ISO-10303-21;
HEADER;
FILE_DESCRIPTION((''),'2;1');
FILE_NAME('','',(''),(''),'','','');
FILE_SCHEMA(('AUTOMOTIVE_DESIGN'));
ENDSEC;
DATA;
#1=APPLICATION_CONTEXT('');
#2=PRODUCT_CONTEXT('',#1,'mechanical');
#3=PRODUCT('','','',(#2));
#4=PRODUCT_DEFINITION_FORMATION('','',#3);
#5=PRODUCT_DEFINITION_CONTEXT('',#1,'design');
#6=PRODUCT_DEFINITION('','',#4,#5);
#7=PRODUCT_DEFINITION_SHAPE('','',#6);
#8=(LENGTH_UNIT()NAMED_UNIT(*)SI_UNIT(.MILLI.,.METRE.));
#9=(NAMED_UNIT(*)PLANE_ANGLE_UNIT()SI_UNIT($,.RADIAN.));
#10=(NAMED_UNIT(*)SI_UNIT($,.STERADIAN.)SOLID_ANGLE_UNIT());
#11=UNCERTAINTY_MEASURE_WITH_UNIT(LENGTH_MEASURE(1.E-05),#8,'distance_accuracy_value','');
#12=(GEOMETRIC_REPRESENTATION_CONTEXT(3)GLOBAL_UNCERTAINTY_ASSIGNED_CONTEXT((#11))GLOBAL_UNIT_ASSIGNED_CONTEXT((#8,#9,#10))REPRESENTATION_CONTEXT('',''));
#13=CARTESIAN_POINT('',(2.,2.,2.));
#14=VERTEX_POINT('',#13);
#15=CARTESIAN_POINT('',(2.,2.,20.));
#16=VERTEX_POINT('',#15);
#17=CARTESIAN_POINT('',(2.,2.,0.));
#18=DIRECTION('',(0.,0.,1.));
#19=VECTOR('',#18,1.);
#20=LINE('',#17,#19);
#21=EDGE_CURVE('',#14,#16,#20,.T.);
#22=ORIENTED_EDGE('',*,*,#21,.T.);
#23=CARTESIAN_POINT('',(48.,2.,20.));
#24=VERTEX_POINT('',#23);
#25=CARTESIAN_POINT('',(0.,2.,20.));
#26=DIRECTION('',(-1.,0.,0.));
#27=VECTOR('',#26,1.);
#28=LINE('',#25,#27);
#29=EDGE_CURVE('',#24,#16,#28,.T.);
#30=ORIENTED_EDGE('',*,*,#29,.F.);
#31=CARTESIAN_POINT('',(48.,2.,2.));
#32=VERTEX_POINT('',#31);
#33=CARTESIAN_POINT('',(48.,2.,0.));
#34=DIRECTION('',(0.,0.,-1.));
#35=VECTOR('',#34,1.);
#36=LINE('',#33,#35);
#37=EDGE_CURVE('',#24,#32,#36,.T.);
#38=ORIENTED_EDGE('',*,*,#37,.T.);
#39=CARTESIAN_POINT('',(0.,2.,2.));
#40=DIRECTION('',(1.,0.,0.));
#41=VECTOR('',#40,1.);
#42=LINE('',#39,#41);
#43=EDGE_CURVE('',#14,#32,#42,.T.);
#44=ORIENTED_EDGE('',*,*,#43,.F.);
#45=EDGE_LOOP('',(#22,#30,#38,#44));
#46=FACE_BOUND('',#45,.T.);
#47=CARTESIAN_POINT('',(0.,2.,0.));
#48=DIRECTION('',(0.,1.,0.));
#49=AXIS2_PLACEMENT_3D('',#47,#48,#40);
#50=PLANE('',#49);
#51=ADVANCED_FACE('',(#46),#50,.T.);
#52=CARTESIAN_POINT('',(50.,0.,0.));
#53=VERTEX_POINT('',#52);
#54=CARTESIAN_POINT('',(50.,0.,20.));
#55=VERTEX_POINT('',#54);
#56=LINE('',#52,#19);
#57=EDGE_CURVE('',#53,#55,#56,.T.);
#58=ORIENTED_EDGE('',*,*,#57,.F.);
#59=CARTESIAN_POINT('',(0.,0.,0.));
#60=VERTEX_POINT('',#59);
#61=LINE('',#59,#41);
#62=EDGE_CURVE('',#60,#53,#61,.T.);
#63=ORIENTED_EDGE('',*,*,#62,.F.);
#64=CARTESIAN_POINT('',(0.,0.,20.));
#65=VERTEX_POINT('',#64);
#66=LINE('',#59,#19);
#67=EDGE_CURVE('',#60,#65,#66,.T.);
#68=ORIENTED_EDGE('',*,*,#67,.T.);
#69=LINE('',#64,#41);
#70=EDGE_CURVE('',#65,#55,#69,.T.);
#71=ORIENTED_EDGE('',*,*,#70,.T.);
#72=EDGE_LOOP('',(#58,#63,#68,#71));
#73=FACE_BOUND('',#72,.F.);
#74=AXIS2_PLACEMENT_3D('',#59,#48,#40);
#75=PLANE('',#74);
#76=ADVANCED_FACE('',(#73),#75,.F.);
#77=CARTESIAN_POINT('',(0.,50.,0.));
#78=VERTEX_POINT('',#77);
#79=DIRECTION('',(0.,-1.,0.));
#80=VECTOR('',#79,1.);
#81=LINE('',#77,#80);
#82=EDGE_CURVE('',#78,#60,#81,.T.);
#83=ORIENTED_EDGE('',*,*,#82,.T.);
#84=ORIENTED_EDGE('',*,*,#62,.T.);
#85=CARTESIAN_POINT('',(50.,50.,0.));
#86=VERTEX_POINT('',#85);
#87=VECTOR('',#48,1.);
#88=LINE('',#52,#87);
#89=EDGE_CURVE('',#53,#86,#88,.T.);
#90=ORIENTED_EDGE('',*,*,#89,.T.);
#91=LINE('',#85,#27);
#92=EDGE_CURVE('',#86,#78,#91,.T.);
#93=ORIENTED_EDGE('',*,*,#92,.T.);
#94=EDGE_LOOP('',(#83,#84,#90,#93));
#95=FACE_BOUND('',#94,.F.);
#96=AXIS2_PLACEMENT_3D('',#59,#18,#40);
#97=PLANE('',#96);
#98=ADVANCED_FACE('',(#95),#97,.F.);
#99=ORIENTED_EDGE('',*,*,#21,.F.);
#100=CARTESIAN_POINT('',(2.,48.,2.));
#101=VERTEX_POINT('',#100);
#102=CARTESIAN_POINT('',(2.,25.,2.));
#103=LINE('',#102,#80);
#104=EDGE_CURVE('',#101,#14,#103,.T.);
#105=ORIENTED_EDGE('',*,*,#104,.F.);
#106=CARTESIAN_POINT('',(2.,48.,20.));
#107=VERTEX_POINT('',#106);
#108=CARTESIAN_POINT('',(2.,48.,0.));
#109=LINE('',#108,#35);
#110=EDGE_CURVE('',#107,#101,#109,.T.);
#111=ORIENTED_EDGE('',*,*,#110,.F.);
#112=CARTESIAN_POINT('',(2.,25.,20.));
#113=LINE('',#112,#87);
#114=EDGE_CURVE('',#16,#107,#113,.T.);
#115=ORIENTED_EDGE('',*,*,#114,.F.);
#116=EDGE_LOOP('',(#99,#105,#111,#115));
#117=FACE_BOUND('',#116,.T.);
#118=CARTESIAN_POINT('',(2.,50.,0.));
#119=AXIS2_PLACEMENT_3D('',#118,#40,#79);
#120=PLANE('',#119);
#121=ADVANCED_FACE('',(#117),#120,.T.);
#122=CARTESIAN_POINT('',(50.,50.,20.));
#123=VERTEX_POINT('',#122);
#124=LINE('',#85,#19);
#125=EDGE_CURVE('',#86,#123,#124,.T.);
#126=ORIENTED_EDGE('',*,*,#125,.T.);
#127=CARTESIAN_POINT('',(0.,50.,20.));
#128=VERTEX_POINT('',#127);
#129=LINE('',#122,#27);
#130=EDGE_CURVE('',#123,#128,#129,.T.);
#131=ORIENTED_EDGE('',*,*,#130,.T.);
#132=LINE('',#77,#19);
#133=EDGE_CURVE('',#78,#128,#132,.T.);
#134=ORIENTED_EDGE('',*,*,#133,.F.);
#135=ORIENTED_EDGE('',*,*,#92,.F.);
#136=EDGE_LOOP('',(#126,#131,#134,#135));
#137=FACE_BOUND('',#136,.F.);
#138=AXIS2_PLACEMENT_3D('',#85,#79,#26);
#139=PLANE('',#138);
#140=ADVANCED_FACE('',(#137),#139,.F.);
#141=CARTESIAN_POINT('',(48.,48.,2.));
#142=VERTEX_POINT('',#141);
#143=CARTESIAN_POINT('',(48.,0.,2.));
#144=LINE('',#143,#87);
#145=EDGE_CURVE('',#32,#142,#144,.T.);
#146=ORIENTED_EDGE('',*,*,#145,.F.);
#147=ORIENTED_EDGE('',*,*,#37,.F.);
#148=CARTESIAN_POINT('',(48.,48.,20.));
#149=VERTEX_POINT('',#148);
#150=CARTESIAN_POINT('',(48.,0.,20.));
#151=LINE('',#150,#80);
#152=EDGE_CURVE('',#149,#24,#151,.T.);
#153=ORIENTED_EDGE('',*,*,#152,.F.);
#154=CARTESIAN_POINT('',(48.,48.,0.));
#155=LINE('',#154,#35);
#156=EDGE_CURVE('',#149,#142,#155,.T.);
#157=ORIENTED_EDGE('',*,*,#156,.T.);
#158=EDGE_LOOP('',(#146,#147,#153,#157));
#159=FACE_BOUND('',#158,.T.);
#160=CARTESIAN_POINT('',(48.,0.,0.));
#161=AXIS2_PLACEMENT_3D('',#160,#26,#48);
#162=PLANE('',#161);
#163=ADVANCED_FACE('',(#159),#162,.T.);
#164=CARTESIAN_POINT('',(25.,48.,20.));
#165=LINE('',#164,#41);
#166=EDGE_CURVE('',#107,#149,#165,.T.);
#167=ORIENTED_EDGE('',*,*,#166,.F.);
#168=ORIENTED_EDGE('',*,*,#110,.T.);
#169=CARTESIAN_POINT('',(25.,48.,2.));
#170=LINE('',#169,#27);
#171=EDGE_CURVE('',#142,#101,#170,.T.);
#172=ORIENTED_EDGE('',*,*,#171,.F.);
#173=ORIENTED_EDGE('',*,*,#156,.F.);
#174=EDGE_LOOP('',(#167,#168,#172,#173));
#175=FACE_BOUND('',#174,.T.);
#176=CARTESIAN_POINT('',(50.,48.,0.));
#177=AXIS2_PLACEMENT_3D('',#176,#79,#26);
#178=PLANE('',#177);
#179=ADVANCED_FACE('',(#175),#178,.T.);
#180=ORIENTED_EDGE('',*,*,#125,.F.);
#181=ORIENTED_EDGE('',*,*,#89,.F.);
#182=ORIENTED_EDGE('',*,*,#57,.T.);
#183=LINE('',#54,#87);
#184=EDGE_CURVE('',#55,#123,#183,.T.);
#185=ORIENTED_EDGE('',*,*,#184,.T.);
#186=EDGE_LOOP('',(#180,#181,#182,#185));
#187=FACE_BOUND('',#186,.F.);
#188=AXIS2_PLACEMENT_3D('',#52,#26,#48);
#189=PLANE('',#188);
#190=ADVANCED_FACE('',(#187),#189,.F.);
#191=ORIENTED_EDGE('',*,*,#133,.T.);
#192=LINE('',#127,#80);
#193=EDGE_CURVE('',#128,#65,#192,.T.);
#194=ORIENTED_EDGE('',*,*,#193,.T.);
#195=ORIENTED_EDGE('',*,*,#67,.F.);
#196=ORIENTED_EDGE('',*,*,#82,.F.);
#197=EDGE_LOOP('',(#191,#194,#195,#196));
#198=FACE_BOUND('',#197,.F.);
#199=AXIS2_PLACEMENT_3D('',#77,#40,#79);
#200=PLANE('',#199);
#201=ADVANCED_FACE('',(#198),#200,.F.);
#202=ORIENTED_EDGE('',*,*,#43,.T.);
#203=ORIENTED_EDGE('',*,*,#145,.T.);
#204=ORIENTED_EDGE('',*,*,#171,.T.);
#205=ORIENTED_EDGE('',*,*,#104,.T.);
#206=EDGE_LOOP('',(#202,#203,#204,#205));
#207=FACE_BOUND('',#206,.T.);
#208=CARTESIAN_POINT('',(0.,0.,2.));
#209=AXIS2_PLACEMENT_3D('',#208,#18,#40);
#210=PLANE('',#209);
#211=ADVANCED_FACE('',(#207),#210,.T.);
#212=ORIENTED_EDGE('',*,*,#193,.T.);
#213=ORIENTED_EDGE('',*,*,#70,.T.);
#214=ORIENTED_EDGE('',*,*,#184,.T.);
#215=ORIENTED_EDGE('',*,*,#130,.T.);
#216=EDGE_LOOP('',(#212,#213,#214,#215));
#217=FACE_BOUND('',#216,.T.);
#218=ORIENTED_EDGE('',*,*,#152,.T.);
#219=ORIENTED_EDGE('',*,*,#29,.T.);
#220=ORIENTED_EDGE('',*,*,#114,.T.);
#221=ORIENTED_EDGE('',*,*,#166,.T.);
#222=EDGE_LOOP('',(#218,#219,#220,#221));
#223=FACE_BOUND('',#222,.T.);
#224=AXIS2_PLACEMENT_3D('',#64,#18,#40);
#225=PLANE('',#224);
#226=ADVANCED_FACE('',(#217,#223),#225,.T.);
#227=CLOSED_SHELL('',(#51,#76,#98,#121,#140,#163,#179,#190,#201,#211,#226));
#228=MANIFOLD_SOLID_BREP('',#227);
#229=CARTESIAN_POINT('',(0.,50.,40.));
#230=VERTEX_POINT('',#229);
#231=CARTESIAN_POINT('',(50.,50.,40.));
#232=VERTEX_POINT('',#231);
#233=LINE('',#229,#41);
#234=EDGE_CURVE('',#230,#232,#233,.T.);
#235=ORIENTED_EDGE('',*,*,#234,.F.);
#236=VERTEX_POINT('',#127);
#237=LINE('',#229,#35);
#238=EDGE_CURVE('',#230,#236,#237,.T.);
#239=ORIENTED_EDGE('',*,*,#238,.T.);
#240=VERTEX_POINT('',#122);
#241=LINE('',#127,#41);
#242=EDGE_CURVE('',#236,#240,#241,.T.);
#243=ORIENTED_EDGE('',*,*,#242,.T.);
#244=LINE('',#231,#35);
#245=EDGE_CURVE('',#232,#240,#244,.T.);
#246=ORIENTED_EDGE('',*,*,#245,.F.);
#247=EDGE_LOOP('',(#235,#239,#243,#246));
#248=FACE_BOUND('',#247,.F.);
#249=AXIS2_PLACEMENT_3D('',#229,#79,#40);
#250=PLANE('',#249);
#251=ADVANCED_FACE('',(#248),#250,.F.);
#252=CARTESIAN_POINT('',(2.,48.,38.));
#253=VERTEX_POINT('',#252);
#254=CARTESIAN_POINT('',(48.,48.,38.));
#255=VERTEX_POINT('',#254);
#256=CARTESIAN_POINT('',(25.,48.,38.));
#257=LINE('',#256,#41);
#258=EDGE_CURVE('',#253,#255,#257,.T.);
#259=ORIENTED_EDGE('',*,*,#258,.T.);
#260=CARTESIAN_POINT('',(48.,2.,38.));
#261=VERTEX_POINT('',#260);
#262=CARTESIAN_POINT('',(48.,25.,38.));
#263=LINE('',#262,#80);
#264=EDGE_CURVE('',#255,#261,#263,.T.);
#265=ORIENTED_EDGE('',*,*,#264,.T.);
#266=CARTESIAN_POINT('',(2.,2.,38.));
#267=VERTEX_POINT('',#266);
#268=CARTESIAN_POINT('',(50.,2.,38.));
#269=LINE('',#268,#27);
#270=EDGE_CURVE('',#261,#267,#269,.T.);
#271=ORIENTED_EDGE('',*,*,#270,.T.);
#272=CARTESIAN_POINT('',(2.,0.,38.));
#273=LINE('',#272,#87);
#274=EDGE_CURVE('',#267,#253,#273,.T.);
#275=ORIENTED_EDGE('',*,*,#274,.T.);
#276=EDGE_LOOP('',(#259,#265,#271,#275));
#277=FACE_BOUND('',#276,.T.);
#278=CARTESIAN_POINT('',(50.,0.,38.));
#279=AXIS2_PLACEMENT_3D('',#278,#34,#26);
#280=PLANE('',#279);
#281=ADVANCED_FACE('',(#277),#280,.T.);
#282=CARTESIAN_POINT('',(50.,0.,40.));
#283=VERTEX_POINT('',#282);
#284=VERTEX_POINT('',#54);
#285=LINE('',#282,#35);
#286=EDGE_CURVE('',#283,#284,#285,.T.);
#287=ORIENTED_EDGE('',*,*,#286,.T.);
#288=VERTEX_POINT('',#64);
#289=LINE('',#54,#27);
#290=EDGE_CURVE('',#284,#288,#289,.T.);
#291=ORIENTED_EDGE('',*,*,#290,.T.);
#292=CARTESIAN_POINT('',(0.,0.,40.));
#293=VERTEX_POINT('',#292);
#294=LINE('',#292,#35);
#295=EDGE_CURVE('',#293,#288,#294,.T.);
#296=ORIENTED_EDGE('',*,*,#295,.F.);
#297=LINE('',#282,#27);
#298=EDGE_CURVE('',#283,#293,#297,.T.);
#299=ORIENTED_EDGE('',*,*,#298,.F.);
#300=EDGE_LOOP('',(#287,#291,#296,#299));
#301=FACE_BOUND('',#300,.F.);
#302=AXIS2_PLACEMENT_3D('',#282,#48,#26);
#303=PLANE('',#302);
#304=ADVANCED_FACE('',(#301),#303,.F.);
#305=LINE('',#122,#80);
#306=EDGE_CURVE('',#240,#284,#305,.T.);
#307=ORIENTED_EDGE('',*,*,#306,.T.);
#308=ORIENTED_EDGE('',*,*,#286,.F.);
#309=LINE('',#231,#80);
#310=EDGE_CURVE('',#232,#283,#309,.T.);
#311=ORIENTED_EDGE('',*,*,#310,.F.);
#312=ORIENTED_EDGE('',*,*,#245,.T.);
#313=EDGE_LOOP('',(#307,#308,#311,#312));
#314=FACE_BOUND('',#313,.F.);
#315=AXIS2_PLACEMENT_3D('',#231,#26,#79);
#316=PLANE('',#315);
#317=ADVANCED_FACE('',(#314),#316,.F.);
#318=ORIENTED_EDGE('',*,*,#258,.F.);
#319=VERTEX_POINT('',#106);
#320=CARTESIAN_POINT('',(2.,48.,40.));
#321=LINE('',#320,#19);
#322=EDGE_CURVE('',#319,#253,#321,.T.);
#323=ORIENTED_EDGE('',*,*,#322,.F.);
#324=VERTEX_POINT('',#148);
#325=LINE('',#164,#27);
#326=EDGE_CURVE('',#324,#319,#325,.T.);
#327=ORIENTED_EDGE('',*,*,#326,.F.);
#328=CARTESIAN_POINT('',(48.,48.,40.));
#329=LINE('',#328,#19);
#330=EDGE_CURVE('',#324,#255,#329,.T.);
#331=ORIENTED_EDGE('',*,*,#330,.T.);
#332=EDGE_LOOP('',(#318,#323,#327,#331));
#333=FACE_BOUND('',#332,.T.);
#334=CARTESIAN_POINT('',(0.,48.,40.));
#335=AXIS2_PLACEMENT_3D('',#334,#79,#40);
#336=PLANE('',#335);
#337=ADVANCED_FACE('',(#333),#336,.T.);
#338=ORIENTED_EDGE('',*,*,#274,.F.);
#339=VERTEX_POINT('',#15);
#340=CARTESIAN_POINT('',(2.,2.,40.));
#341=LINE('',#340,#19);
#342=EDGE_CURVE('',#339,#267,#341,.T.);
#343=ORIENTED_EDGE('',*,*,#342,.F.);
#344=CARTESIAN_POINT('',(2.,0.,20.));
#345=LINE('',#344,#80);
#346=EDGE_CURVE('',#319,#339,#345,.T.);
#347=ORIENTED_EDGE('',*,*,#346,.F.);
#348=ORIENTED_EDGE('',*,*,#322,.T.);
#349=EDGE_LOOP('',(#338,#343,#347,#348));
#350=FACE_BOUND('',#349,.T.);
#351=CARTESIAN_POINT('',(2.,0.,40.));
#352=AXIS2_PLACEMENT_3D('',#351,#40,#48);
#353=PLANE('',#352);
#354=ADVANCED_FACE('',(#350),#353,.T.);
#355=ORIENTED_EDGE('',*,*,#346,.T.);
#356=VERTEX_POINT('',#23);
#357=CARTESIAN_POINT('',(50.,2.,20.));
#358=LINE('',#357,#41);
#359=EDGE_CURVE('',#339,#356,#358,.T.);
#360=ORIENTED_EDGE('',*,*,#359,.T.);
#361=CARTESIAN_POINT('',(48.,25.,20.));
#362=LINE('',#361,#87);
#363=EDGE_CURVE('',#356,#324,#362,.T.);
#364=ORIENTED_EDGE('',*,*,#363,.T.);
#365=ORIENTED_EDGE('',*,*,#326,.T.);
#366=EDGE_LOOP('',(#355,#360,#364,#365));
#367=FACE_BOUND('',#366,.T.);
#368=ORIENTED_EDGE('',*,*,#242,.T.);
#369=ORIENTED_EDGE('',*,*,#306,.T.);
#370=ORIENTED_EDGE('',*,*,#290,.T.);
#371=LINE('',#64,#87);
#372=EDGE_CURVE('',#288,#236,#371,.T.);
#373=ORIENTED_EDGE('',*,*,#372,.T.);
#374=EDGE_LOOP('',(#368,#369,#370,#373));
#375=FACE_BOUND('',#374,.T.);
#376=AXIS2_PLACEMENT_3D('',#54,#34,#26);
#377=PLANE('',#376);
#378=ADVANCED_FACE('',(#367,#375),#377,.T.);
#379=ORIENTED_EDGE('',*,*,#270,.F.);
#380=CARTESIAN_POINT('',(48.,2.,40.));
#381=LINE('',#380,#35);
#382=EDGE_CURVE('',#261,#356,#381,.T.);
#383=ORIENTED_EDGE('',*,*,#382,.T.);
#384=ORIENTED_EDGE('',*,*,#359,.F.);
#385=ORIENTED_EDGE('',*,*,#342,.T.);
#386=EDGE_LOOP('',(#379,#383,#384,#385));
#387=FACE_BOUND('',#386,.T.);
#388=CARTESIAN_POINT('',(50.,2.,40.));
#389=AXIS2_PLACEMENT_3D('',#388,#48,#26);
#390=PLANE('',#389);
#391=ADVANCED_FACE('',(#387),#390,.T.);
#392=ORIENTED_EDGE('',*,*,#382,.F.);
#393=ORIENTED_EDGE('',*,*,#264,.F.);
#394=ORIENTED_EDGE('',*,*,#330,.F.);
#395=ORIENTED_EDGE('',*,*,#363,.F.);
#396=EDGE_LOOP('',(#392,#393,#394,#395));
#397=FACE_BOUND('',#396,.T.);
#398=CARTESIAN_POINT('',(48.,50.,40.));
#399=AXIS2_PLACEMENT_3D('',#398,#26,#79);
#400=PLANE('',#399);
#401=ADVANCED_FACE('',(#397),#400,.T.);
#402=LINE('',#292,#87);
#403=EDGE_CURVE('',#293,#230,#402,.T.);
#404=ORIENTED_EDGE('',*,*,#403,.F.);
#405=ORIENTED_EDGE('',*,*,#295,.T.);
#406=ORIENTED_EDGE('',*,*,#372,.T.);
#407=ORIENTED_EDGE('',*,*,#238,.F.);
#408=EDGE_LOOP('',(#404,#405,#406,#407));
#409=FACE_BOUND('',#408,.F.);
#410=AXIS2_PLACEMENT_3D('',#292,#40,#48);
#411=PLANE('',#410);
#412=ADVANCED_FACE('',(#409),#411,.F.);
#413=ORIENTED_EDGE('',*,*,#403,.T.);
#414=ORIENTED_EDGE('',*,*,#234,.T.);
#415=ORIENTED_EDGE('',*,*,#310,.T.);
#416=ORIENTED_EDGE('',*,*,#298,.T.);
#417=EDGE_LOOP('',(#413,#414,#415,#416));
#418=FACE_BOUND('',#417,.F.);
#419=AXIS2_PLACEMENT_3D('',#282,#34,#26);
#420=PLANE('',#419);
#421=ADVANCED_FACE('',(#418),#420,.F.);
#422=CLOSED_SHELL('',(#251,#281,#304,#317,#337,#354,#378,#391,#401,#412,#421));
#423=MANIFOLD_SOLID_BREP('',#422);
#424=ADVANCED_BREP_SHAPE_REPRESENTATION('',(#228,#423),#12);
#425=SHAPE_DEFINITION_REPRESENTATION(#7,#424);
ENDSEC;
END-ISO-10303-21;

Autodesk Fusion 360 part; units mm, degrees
sketch "box-width" plane through (0, 0, 0) normal (0, 0, 1) x (1, 0, 0) in component "box_bottom"
  line L0 (0, 0) -> (50, 0)
  line L1 (50, 0) -> (50, 50)
  line L2 (50, 50) -> (0, 50)
  line L3 (0, 50) -> (0, 0)
  dimension "d3" = 50
  dimension "d4" = 50
extrude "Extrude1" add sketch "box-width" along normal blind 20 makes body 1 in component "box_bottom"
shell "Shell1" thickness 2 removed faces 1 at (16.6667, 33.3333, 20) on bodies 1 in component "box_bottom"
sketch "box-width (2)" plane through (0, 0, 0) normal (0, 0, 1) x (1, 0, 0) in component "box_top"
  line L0 (0, 0) -> (50, 0)
  line L1 (50, 0) -> (50, 50)
  line L2 (50, 50) -> (0, 50)
  line L3 (0, 50) -> (0, 0)
  dimension "d3_1" = 50
  dimension "d4_1" = 50
extrude "Extrude1'" add sketch "box-width (2)" along normal blind 20 separate body makes body 2 in component "box_top"
shell "Shell1'" thickness 2 removed faces 1 at (16.6667, 33.3333, 20) on bodies 2 in component "box_top"
component "box_bottom" placed x (1, 0, 0) y (0, 1, 0) z (0, 0, 1) at (0, 0, 0)
component "box_top" placed x (-1, 0, 0) y (0, 1, 0) z (0, 0, -1) at (50, 0, 40)
equation "box_width = 50 mm"
equation "box_height = 40 mm"
equation "d3 = box_width"
equation "d4 = box_width"
equation "d5 = box_height / 2"
equation "wall_thickness = 2 mm"
equation "d3_1 = box_width"
equation "d4_1 = box_width"
equation "d5_1 = box_height / 2"
equation "wall_thickness_1 = 2 mm"
